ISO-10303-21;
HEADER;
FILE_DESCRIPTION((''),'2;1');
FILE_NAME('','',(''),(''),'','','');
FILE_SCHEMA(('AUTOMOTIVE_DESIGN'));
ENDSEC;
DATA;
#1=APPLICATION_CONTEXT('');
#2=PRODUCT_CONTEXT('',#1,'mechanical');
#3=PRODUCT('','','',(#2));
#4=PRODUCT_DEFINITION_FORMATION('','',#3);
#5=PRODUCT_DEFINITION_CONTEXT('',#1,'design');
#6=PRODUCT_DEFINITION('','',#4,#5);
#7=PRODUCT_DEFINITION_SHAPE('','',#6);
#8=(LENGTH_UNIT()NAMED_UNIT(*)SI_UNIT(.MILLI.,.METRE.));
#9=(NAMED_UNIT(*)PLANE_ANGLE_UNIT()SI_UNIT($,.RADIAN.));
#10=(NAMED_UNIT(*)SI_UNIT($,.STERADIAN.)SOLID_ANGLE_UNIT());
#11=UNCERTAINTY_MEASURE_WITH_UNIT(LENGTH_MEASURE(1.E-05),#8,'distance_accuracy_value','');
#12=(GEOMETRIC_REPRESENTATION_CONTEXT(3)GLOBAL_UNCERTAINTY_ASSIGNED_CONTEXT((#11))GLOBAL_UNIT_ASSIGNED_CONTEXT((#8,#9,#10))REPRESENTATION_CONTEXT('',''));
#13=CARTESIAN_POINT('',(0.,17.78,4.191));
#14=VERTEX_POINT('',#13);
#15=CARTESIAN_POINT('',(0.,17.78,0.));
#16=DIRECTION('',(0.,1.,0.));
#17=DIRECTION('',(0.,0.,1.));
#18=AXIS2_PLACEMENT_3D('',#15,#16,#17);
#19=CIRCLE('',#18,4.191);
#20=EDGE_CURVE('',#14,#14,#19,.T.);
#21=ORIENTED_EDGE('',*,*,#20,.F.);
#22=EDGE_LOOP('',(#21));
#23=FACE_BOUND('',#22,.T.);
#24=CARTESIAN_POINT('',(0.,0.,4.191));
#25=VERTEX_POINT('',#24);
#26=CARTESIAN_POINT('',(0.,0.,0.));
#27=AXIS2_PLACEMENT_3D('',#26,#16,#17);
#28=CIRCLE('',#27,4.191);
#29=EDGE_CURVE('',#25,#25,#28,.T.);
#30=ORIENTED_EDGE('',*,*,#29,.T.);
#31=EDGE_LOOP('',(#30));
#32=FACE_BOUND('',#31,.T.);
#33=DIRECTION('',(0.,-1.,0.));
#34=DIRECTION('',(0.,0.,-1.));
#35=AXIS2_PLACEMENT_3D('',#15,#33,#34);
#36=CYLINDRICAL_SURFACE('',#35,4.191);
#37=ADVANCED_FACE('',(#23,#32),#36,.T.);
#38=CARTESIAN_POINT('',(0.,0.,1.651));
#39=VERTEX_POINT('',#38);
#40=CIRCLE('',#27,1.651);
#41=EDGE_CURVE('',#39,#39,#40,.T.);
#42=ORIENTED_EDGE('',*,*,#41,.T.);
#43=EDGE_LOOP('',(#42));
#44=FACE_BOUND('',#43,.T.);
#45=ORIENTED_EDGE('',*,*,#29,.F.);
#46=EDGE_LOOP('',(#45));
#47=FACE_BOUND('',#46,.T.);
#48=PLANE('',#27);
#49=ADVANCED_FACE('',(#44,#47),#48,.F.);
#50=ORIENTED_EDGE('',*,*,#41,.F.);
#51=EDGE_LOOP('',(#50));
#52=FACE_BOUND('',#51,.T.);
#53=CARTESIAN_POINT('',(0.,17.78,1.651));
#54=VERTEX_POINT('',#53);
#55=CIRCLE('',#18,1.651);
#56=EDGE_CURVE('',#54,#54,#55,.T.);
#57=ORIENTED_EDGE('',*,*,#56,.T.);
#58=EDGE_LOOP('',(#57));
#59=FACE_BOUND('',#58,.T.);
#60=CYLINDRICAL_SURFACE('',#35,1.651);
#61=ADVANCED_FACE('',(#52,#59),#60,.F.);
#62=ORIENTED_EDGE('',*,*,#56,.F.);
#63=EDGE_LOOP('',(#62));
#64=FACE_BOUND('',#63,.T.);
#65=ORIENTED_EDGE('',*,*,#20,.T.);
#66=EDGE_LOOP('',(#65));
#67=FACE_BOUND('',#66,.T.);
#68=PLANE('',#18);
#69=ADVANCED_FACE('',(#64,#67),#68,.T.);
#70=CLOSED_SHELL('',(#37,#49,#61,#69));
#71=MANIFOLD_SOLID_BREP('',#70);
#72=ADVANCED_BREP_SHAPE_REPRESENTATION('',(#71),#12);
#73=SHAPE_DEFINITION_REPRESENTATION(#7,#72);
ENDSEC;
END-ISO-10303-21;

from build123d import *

# Parameters (mm, degrees)
SKETCH1_R           = 4.191
SKETCH1_R_2         = 1.651
BOSS_EXTRUDE1_DEPTH = 17.78


with BuildPart() as part:
    # Sketch1 → Boss-Extrude1 (new body)
    with BuildSketch(Plane(origin=(0, 0, 0), x_dir=(1, 0, 0), z_dir=(0, 1, 0))):
        Circle(SKETCH1_R)
        Circle(SKETCH1_R_2, mode=Mode.SUBTRACT)
    extrude(amount=BOSS_EXTRUDE1_DEPTH)


solid = part.part
